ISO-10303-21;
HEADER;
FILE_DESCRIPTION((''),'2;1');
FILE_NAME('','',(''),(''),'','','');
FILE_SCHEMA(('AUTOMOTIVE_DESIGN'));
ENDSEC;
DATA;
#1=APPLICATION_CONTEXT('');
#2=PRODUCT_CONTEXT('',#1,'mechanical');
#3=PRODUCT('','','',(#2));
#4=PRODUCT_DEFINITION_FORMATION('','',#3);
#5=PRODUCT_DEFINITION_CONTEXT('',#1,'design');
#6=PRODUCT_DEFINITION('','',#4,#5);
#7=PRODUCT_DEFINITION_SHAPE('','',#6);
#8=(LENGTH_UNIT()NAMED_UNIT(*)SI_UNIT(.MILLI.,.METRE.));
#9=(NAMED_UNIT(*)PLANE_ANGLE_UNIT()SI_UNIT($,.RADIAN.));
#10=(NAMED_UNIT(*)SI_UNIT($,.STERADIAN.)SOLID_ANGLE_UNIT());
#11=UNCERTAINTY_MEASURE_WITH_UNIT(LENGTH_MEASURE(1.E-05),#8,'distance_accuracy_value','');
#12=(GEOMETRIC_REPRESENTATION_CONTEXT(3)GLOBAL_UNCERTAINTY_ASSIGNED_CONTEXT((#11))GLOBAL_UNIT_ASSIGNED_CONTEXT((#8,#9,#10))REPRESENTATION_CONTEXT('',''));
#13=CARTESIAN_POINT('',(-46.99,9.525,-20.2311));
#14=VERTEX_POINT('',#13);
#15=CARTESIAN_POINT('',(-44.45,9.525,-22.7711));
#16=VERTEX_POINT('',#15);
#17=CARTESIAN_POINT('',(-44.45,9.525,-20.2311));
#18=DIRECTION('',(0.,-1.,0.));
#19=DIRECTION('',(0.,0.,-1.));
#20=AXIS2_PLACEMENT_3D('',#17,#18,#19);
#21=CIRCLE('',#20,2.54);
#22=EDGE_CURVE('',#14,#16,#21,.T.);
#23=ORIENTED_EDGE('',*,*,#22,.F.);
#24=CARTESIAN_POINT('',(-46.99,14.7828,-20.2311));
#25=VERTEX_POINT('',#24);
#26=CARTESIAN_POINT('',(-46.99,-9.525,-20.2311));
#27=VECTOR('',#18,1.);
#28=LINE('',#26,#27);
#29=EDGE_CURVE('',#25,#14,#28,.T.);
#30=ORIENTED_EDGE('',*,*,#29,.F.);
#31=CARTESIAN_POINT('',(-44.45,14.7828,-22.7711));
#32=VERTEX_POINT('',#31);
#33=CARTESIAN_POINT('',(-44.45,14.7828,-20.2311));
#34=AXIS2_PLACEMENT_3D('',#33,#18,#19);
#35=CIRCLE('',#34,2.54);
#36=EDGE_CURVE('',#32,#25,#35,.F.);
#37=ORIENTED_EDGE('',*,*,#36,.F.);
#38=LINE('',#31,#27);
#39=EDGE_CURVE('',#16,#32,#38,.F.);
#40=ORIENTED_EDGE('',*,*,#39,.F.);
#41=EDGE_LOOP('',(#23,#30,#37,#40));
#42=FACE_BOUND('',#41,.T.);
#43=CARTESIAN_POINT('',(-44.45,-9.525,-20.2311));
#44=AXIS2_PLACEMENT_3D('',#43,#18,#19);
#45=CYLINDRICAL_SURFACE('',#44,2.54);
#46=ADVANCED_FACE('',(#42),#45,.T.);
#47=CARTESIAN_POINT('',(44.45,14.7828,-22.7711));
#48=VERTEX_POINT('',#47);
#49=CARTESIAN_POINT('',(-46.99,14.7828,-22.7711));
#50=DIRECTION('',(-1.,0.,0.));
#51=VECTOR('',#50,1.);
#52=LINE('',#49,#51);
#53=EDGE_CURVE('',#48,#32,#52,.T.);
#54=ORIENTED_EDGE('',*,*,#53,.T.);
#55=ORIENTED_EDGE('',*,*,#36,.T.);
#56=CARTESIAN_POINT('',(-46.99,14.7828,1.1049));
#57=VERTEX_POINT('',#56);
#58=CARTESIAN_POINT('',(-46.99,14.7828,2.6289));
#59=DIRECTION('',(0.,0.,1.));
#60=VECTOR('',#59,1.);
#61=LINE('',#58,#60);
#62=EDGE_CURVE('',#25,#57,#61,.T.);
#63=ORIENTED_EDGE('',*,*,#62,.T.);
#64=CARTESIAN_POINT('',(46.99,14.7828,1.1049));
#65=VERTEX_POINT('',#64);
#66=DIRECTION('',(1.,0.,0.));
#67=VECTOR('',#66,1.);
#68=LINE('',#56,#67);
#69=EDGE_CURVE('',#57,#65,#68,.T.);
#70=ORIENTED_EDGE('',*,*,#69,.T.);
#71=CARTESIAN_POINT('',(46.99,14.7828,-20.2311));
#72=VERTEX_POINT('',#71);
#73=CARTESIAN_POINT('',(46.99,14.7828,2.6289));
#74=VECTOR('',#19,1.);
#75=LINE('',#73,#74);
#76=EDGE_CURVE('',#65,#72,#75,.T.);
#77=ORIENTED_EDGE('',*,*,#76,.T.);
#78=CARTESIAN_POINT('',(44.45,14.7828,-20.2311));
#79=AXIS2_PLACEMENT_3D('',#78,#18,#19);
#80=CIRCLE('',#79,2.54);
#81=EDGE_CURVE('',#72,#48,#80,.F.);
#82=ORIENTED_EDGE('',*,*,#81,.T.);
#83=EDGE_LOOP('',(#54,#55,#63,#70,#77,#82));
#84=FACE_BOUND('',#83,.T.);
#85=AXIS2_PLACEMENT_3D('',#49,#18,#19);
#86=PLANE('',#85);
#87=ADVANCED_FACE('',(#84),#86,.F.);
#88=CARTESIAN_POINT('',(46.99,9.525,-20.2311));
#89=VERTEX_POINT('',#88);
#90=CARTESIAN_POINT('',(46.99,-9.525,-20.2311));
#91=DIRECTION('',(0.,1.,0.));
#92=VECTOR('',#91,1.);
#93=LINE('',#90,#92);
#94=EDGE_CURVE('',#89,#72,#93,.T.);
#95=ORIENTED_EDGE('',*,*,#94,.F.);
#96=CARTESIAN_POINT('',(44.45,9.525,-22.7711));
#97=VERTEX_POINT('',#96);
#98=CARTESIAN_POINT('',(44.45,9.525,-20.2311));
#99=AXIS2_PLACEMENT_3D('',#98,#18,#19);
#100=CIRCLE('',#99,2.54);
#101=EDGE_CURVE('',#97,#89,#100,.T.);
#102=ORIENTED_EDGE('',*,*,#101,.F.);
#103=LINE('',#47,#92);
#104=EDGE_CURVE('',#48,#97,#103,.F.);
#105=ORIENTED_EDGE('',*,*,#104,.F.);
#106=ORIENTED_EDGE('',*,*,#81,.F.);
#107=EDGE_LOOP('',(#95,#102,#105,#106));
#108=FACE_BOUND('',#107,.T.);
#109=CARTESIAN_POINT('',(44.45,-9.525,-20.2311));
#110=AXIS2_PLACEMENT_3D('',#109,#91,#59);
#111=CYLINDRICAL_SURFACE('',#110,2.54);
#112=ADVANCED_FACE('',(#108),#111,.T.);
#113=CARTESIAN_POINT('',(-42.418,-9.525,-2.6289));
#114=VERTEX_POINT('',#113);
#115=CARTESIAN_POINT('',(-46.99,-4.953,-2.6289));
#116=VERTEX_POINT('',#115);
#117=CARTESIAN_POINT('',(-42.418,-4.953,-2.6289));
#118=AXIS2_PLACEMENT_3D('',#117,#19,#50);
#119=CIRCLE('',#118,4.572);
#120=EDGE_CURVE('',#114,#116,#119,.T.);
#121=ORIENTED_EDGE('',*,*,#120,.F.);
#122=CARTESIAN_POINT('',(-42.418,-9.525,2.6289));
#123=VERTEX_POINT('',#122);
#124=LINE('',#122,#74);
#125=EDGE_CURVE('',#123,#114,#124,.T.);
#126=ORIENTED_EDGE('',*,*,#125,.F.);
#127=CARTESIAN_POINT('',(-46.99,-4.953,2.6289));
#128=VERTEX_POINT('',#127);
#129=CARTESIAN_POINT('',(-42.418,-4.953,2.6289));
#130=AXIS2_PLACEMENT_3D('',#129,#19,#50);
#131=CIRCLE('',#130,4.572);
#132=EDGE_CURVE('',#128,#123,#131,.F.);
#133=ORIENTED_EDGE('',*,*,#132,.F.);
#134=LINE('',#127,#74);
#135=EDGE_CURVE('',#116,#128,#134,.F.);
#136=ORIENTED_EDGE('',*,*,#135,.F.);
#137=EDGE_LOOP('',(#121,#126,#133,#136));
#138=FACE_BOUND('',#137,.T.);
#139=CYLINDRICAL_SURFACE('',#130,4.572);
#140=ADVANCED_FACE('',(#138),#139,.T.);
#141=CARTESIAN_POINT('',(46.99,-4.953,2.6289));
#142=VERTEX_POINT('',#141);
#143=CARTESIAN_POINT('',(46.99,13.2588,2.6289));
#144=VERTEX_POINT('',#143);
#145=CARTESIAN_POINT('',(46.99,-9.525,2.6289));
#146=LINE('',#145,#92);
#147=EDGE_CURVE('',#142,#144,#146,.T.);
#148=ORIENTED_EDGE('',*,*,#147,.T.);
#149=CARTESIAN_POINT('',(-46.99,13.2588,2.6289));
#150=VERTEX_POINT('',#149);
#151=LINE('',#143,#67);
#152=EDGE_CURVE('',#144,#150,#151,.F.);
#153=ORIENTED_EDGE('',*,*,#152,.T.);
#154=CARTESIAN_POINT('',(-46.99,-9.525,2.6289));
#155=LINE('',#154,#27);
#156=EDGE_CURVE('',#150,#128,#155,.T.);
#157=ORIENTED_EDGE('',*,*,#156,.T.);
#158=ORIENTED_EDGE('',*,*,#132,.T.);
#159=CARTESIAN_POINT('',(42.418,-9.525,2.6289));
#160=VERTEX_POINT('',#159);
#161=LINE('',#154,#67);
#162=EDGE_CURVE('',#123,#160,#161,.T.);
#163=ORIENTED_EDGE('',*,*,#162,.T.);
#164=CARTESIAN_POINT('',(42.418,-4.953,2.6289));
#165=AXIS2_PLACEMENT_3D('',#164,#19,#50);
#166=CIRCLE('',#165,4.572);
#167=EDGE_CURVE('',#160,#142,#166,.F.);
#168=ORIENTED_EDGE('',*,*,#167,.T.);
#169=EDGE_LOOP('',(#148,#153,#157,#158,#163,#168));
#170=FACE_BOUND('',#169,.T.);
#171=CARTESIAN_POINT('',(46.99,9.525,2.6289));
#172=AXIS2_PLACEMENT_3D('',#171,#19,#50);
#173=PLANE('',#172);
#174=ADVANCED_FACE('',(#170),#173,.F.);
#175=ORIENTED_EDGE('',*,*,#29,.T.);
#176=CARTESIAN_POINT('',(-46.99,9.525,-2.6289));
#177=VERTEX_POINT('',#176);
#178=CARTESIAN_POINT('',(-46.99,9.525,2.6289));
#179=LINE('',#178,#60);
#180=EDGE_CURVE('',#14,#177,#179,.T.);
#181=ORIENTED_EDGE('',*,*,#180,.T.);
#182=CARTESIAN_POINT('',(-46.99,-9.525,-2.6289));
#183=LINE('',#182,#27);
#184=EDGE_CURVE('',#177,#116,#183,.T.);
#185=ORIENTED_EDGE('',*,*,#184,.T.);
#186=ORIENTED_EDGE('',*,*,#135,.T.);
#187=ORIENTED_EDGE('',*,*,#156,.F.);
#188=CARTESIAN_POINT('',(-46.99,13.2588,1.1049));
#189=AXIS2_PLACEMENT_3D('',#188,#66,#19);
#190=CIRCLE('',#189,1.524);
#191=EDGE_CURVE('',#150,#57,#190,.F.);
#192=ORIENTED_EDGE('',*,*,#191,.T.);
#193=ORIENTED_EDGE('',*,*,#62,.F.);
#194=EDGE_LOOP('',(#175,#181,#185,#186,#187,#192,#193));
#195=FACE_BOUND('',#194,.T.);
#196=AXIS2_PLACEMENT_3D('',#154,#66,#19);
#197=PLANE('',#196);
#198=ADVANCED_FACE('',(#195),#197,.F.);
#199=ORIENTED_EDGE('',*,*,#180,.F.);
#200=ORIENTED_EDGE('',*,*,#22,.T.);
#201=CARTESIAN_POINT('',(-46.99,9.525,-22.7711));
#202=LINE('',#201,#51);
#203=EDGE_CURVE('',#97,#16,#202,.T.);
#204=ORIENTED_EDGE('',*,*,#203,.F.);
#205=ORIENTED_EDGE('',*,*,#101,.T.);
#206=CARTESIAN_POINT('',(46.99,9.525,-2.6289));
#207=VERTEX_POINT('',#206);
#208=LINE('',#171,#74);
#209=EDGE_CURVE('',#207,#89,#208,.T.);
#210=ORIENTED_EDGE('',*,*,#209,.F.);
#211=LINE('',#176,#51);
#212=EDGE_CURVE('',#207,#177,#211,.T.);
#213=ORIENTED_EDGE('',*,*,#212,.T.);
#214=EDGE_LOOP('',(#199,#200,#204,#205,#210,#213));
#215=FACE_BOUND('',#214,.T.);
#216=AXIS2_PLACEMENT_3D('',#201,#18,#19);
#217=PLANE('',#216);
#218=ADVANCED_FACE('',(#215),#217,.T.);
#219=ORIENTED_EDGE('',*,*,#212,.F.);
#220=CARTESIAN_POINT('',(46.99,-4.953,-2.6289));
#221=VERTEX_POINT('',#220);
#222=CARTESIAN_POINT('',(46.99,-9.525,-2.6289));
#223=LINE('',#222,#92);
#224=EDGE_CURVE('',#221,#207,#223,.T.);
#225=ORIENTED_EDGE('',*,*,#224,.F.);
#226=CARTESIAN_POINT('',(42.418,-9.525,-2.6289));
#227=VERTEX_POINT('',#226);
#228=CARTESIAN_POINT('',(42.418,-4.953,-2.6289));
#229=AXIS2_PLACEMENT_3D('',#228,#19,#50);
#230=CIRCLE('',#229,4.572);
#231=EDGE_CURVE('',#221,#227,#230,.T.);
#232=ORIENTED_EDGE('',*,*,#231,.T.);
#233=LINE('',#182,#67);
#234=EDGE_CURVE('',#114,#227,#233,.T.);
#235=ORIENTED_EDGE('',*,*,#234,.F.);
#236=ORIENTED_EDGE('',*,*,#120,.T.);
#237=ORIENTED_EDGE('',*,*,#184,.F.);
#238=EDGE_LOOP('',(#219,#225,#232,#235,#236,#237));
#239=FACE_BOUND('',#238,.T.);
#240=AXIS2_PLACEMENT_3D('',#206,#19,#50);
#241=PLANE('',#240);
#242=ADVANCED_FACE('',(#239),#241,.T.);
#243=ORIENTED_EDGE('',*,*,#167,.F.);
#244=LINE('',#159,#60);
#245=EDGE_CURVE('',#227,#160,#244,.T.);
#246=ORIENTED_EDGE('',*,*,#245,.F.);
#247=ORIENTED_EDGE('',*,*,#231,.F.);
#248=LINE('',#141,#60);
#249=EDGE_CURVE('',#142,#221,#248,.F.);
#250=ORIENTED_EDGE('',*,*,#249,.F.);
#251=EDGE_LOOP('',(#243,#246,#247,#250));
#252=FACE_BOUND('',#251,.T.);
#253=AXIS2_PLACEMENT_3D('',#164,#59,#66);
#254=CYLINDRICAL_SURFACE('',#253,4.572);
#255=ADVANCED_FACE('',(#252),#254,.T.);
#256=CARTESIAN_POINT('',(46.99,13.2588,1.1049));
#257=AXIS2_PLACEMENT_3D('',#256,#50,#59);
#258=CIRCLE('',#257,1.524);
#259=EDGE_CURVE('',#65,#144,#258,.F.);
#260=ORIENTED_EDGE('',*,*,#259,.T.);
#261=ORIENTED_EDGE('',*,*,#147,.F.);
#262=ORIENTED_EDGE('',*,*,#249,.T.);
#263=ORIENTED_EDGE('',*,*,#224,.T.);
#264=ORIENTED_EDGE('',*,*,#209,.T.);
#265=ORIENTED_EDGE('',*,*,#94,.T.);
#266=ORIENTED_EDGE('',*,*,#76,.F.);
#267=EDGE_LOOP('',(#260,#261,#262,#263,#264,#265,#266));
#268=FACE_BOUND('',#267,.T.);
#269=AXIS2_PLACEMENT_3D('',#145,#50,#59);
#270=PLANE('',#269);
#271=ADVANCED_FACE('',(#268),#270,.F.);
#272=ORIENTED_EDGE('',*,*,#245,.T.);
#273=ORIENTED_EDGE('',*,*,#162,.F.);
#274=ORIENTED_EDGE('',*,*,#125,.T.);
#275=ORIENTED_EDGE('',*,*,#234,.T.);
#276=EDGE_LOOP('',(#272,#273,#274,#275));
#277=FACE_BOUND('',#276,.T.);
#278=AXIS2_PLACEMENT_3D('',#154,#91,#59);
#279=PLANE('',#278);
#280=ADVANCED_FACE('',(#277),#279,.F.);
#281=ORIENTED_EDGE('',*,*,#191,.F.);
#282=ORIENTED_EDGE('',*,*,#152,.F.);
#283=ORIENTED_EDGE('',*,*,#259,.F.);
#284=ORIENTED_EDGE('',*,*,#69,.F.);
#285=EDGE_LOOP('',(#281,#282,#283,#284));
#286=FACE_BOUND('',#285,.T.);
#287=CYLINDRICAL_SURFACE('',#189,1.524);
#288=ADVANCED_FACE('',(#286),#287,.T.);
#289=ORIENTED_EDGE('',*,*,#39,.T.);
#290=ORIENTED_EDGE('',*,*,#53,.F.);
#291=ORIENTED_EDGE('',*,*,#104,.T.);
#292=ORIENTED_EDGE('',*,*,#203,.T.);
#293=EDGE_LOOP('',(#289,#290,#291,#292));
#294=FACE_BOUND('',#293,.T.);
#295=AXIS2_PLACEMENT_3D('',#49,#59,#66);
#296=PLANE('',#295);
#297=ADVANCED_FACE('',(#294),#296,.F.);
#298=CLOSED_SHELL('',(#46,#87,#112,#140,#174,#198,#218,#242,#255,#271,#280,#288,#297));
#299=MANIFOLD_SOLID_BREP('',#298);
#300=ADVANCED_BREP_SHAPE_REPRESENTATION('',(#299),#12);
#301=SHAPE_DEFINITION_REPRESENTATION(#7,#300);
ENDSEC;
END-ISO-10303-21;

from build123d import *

# Parameters (mm, degrees)
SKETCH1_W           = 93.98
SKETCH1_H           = 19.05
BOSS_EXTRUDE1_DEPTH = 2.6289
SKETCH2_W           = 93.98
SKETCH2_H           = 25.4
BOSS_EXTRUDE2_DEPTH = 5.2578
FILLET6_R           = 4.572
FILLET7_R           = 4.572
FILLET8_R           = 1.524
FILLET9_R           = 2.54
FILLET10_R          = 2.54


with BuildPart() as part:
    # Sketch1 → Boss-Extrude1 (new body, symmetric)
    with BuildSketch(Plane.XY):
        Rectangle(SKETCH1_W, SKETCH1_H)
    extrude(amount=BOSS_EXTRUDE1_DEPTH, both=True)

    # Sketch2 → Boss-Extrude2 (add)
    with BuildSketch(Plane(origin=(0, 9.525, 0), x_dir=(1, 0, 0), z_dir=(0, 1, 0))):
        with Locations((0, 10.0711)):
            Rectangle(SKETCH2_W, SKETCH2_H)
    extrude(amount=BOSS_EXTRUDE2_DEPTH)

    # Fillet6
    fillet6_edges = [part.edges().sort_by_distance(p)[0] for p in [
        (-46.99, -9.525, 0),
    ]]
    fillet(fillet6_edges, radius=FILLET6_R)

    # Fillet7
    fillet7_edges = [part.edges().sort_by_distance(p)[0] for p in [
        (46.99, -9.525, 0),
    ]]
    fillet(fillet7_edges, radius=FILLET7_R)

    # Fillet8
    fillet8_edges = [part.edges().sort_by_distance(p)[0] for p in [
        (0, 14.7828, 2.6289),
    ]]
    fillet(fillet8_edges, radius=FILLET8_R)

    # Fillet9
    fillet9_edges = [part.edges().sort_by_distance(p)[0] for p in [
        (-46.99, 12.1539, -22.7711),
    ]]
    fillet(fillet9_edges, radius=FILLET9_R)

    # Fillet10
    fillet10_edges = [part.edges().sort_by_distance(p)[0] for p in [
        (46.99, 12.1539, -22.7711),
    ]]
    fillet(fillet10_edges, radius=FILLET10_R)


solid = part.part
